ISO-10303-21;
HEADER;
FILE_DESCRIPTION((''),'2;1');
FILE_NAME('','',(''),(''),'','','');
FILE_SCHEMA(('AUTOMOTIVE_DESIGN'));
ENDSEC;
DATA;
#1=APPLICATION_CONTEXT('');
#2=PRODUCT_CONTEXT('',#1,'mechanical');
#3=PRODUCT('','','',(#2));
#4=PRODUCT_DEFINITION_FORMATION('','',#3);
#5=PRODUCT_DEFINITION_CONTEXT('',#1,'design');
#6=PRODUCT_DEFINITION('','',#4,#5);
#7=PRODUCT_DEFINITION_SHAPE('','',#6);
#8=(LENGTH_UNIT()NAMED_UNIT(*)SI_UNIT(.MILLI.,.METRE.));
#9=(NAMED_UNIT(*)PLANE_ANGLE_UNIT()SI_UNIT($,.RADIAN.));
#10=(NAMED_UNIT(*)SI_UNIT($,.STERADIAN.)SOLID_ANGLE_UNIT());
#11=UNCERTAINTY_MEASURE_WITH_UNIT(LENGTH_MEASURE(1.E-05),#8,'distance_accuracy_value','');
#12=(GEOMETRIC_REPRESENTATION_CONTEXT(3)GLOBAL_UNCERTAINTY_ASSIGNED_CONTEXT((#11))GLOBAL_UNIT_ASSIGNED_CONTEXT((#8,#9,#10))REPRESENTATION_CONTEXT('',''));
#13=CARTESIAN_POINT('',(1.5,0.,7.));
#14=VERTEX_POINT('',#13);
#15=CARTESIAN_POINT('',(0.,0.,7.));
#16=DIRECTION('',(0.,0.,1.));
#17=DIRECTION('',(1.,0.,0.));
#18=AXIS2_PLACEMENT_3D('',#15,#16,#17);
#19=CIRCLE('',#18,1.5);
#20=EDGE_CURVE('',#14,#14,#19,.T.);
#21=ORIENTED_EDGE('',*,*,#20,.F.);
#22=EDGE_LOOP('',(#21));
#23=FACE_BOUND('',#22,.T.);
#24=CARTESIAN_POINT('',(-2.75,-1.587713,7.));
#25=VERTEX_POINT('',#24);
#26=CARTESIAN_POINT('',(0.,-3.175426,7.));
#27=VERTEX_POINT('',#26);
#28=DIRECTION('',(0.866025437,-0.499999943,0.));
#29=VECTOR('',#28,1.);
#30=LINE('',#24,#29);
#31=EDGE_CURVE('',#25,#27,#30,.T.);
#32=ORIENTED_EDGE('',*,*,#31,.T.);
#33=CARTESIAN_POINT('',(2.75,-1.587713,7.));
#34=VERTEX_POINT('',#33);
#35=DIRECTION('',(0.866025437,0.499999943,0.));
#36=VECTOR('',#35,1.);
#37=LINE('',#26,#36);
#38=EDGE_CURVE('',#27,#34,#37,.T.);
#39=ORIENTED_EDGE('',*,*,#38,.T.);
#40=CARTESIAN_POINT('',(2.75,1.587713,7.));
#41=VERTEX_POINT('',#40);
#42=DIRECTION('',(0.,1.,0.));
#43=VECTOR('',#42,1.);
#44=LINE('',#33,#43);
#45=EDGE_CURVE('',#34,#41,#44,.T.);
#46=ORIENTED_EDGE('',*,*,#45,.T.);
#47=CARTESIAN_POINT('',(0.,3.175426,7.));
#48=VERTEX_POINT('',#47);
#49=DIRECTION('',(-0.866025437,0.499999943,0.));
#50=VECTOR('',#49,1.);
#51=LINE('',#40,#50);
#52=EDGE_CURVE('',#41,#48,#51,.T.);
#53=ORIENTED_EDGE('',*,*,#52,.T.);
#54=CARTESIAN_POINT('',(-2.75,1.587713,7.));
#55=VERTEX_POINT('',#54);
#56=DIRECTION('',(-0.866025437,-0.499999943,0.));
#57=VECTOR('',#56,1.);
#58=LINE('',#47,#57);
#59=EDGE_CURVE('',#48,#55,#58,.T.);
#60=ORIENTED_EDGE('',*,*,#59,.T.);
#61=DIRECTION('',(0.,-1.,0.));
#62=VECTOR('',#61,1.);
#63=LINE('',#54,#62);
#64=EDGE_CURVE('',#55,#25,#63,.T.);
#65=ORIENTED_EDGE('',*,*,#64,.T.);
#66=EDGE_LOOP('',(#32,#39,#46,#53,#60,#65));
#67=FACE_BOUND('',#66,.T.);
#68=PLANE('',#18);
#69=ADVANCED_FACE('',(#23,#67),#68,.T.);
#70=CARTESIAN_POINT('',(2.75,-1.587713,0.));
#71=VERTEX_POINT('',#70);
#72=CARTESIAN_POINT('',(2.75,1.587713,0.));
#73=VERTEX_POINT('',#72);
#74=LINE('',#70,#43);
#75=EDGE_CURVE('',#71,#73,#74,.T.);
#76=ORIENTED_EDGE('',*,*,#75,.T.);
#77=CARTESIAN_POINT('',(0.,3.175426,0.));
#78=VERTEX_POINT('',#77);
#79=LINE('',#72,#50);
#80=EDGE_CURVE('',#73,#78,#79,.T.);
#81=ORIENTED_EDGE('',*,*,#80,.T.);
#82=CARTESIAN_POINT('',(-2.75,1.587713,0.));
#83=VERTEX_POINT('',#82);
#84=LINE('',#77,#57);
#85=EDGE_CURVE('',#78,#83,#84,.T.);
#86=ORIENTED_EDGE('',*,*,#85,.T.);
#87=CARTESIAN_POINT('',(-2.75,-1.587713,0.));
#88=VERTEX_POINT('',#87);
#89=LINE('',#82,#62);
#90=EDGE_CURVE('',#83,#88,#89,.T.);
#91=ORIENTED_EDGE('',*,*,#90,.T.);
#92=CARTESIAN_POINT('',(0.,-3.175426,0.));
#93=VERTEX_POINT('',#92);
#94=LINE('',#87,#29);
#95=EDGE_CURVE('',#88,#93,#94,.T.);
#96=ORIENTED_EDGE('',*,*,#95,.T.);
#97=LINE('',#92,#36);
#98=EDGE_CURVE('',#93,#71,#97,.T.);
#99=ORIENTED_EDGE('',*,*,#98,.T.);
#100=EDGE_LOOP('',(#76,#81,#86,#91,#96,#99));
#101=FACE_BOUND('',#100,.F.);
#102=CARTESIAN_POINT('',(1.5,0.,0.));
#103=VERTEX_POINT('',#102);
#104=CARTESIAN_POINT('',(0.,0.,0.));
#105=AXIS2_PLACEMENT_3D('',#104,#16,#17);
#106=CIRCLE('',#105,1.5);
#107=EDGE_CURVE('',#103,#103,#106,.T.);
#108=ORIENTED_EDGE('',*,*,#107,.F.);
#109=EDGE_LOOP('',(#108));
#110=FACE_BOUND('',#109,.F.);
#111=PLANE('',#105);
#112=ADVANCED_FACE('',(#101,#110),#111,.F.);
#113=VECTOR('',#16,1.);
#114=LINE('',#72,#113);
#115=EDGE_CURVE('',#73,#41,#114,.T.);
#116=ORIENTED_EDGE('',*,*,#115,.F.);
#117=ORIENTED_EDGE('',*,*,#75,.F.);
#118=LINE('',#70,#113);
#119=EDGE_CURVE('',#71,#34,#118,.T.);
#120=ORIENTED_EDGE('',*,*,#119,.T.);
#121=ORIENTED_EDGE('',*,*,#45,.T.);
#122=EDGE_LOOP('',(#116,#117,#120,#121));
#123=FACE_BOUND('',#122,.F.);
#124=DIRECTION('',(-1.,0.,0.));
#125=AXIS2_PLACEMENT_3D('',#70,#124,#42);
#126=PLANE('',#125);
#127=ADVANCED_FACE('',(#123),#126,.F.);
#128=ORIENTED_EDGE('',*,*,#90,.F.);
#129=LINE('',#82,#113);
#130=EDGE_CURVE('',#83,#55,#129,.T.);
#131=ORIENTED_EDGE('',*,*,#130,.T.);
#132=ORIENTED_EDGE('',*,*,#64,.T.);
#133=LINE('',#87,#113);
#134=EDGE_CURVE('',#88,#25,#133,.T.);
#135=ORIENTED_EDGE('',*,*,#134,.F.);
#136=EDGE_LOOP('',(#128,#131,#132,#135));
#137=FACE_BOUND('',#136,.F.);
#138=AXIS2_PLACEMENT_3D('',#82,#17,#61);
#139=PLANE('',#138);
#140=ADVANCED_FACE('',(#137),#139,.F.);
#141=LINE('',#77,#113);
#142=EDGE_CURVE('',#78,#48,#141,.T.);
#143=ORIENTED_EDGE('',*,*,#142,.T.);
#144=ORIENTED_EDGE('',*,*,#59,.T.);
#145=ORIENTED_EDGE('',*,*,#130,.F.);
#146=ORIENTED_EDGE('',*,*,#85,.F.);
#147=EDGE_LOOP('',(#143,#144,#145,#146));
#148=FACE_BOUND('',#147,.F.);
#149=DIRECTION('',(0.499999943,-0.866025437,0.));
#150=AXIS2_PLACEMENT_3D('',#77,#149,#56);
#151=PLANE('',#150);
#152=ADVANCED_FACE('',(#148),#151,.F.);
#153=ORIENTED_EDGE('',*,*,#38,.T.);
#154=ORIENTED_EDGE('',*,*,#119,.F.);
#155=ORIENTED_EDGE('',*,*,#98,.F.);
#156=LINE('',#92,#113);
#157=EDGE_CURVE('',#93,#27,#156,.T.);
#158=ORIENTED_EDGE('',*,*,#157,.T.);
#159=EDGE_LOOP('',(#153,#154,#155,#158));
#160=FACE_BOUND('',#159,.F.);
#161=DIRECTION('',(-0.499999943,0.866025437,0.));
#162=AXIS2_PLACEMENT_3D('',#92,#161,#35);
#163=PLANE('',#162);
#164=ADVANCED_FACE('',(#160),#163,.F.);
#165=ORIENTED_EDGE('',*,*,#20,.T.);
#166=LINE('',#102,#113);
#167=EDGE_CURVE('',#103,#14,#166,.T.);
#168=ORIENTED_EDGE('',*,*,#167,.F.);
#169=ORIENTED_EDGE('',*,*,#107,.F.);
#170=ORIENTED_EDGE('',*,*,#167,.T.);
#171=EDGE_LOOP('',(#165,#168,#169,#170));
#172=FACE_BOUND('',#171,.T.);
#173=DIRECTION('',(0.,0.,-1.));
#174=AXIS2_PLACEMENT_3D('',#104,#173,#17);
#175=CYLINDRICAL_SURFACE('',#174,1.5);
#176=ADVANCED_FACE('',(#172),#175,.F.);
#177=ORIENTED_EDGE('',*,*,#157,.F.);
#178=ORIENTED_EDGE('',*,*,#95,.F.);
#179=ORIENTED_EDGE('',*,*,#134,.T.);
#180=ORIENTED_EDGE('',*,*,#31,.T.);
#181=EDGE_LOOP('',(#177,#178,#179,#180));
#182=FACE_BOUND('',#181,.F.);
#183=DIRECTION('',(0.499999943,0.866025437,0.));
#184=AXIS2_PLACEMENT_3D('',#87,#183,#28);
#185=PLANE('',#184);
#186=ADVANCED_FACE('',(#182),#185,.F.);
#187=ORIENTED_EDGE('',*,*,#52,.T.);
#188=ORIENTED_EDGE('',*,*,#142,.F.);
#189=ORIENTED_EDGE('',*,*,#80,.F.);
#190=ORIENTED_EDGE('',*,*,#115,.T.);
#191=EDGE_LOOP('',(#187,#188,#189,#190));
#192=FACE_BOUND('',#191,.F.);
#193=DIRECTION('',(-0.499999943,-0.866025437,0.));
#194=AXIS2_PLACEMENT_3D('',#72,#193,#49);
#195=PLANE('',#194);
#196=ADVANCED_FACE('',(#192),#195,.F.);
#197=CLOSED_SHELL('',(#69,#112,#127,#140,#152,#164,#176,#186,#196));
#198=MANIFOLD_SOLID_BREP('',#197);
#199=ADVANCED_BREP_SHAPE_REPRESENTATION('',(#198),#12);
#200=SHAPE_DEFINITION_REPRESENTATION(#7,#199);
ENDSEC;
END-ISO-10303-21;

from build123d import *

# Parameters (mm, degrees)
F0_R     = 1.5
F1_DEPTH = 7
F2_DEPTH = 5


with BuildPart() as f1:
    # F0 (on Top) → F1 (new body)
    with BuildSketch(Plane.XY):
        Polygon((2.75, -1.587713), (2.75, 1.587713), (0, 3.175426), (-2.75, 1.587713), (-2.75, -1.587713), (0, -3.175426), align=None)
        Circle(F0_R, mode=Mode.SUBTRACT)
    extrude(amount=F1_DEPTH)

    # F0 (on Top) → F2 (cut)
    with BuildSketch(Plane.XY):
        Circle(F0_R)
    extrude(amount=F2_DEPTH, mode=Mode.SUBTRACT)


solid = f1.part
